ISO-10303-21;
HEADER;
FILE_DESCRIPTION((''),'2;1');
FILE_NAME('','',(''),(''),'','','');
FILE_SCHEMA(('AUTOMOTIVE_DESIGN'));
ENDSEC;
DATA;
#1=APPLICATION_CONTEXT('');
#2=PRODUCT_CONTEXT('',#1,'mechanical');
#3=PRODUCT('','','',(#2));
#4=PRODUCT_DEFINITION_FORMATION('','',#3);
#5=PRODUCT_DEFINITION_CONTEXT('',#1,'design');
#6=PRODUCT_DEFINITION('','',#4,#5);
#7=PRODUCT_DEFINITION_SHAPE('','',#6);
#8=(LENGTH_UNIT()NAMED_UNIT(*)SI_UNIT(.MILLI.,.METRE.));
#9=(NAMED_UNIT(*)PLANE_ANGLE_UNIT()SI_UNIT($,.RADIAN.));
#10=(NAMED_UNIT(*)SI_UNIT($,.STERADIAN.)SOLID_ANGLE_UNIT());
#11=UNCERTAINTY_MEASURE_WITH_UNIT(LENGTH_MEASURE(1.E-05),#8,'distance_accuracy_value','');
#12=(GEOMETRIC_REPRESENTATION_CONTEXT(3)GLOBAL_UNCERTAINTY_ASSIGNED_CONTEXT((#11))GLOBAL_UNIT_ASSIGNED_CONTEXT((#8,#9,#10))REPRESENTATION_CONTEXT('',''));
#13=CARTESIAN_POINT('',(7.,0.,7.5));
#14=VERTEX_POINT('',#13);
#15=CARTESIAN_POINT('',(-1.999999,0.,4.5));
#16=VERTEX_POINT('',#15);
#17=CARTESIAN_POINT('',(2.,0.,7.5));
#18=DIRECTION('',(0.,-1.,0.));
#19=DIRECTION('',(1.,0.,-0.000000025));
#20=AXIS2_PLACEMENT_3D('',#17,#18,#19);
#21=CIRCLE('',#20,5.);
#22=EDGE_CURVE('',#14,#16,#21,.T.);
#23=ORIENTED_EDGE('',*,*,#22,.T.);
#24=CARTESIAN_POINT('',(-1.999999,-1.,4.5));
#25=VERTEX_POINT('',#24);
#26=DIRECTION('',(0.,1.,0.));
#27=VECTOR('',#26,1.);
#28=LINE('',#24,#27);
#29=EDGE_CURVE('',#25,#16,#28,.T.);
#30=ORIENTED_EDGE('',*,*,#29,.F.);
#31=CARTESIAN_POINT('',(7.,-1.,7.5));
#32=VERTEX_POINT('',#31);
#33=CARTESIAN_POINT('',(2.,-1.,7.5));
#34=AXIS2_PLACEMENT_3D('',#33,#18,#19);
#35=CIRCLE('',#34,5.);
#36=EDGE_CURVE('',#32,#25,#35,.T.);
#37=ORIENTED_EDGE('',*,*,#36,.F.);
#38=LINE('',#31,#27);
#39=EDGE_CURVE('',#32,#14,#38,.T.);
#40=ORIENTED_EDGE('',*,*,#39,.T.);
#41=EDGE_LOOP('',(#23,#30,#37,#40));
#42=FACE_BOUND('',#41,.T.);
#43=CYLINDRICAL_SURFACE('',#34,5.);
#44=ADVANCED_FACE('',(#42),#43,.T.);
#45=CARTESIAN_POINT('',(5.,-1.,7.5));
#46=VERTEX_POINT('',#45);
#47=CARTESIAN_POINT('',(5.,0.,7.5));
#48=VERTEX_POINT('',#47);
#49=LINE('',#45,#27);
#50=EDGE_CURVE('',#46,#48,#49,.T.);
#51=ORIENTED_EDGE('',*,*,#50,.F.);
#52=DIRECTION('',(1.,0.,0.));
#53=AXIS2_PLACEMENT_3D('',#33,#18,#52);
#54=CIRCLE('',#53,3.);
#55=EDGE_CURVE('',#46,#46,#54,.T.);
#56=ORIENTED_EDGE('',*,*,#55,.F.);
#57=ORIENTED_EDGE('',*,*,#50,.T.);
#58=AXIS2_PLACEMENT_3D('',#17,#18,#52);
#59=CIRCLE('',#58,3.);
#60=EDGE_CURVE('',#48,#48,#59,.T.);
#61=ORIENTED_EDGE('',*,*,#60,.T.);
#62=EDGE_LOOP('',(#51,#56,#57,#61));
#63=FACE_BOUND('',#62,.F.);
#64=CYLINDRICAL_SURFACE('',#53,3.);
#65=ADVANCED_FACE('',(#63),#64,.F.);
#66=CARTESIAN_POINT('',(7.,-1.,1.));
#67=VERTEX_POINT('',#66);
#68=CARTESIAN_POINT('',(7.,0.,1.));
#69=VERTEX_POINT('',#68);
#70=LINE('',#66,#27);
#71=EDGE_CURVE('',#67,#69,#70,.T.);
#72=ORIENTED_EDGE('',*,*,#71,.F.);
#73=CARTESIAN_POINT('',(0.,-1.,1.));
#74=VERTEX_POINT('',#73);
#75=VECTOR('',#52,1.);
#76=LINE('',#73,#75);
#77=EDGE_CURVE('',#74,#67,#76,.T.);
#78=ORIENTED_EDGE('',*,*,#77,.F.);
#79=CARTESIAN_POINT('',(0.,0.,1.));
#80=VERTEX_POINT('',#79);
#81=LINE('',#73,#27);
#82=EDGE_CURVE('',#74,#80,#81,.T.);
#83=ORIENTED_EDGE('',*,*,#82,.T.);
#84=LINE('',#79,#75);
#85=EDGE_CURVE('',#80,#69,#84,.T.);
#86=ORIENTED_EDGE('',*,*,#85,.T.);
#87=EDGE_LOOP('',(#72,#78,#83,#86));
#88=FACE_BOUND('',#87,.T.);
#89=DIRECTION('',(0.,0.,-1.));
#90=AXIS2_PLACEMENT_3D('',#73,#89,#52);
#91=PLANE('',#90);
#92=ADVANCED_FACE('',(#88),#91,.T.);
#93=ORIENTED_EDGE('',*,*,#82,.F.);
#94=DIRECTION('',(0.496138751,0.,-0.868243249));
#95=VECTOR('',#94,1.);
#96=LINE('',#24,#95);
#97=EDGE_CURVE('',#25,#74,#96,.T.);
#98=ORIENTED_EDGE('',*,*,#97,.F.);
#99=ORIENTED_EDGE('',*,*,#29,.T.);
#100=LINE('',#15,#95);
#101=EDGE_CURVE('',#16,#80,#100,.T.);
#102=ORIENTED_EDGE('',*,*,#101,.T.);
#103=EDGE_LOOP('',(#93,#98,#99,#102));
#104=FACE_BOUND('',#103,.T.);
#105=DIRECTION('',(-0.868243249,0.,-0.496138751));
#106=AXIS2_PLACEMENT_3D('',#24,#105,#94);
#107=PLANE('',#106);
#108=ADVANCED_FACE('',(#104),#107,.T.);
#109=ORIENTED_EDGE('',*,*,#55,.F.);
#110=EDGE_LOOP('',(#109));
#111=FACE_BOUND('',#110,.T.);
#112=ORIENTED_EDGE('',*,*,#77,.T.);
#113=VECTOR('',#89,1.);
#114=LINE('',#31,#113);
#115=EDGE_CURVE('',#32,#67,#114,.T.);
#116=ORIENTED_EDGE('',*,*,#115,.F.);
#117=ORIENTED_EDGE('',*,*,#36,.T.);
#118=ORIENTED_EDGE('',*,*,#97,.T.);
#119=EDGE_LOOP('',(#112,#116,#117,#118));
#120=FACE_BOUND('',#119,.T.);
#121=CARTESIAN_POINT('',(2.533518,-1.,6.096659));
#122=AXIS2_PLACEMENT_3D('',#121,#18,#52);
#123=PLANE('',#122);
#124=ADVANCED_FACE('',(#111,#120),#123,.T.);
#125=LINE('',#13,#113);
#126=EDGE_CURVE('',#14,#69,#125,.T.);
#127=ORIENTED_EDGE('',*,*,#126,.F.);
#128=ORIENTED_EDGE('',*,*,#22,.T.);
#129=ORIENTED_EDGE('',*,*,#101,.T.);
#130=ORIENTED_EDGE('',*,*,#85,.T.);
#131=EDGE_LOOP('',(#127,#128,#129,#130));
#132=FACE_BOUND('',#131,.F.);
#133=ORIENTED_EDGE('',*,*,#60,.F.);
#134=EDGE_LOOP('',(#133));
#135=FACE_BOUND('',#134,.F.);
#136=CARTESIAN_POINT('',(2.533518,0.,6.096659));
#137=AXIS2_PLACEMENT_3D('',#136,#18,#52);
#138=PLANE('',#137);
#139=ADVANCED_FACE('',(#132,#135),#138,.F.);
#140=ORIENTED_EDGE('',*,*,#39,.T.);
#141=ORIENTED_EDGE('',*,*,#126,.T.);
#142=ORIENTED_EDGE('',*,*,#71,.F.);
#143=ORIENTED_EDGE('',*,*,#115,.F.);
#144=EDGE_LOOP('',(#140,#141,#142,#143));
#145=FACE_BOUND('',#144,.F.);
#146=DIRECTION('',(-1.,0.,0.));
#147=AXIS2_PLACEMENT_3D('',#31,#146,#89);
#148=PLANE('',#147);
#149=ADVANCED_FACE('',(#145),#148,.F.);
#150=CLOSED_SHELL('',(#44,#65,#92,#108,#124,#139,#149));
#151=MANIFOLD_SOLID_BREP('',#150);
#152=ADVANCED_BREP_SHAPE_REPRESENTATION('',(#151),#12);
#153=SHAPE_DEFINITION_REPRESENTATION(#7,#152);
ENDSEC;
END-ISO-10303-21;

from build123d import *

# Parameters (mm, degrees)
SKETCH274_AS_DRAWN_R                 = 3
EXTRUDE077_DEPTH                     = 1
EXTRUDE077_ONTO_SKETCH274_ROLL_ANGLE = 90
EXTRUDE076_DEPTH                     = 1
EXTRUDE076_ONTO_SKETCH273_ROLL_ANGLE = 90


with BuildPart() as extrude077:
    # Sketch274 as drawn → Extrude077 (new)
    with BuildSketch(Plane.XY):
        with Locations((2, 8)):
            Circle(SKETCH274_AS_DRAWN_R)
    extrude(amount=-EXTRUDE077_DEPTH)


with BuildPart() as extrude077_1:
    # Extrude077 onto Sketch274 roll: moved
    add(extrude077.part.rotate(Axis((0, 0, 0), (1, 0, 0)), EXTRUDE077_ONTO_SKETCH274_ROLL_ANGLE))


with BuildPart() as extrude077_2:
    # Extrude077 onto Sketch274 placement: moved
    add(extrude077_1.part.moved(Location((0, -1, -0.5))))


with BuildPart() as cut046:
    # Sketch273 as drawn → Extrude076 (new)
    with BuildSketch(Plane.XY):
        with BuildLine():
            ThreePointArc((7, 8), (0.418861, 12.743416), (-1.999999, 5))
            Line((-1.999999, 5), (0, 1.5))
            Line((0, 1.5), (7, 1.5))
            Line((7, 8), (7, 1.5))
        make_face()
    extrude(amount=-EXTRUDE076_DEPTH)


with BuildPart() as cut046_1:
    # Extrude076 onto Sketch273 roll: moved
    add(cut046.part.rotate(Axis((0, 0, 0), (1, 0, 0)), EXTRUDE076_ONTO_SKETCH273_ROLL_ANGLE))


with BuildPart() as cut046_2:
    # Extrude076 onto Sketch273 placement: moved
    add(cut046_1.part.moved(Location((0, -1, -0.5))))

    # Cut046: cut Extrude077
    add(extrude077_2.part, mode=Mode.SUBTRACT)


solid = cut046_2.part
